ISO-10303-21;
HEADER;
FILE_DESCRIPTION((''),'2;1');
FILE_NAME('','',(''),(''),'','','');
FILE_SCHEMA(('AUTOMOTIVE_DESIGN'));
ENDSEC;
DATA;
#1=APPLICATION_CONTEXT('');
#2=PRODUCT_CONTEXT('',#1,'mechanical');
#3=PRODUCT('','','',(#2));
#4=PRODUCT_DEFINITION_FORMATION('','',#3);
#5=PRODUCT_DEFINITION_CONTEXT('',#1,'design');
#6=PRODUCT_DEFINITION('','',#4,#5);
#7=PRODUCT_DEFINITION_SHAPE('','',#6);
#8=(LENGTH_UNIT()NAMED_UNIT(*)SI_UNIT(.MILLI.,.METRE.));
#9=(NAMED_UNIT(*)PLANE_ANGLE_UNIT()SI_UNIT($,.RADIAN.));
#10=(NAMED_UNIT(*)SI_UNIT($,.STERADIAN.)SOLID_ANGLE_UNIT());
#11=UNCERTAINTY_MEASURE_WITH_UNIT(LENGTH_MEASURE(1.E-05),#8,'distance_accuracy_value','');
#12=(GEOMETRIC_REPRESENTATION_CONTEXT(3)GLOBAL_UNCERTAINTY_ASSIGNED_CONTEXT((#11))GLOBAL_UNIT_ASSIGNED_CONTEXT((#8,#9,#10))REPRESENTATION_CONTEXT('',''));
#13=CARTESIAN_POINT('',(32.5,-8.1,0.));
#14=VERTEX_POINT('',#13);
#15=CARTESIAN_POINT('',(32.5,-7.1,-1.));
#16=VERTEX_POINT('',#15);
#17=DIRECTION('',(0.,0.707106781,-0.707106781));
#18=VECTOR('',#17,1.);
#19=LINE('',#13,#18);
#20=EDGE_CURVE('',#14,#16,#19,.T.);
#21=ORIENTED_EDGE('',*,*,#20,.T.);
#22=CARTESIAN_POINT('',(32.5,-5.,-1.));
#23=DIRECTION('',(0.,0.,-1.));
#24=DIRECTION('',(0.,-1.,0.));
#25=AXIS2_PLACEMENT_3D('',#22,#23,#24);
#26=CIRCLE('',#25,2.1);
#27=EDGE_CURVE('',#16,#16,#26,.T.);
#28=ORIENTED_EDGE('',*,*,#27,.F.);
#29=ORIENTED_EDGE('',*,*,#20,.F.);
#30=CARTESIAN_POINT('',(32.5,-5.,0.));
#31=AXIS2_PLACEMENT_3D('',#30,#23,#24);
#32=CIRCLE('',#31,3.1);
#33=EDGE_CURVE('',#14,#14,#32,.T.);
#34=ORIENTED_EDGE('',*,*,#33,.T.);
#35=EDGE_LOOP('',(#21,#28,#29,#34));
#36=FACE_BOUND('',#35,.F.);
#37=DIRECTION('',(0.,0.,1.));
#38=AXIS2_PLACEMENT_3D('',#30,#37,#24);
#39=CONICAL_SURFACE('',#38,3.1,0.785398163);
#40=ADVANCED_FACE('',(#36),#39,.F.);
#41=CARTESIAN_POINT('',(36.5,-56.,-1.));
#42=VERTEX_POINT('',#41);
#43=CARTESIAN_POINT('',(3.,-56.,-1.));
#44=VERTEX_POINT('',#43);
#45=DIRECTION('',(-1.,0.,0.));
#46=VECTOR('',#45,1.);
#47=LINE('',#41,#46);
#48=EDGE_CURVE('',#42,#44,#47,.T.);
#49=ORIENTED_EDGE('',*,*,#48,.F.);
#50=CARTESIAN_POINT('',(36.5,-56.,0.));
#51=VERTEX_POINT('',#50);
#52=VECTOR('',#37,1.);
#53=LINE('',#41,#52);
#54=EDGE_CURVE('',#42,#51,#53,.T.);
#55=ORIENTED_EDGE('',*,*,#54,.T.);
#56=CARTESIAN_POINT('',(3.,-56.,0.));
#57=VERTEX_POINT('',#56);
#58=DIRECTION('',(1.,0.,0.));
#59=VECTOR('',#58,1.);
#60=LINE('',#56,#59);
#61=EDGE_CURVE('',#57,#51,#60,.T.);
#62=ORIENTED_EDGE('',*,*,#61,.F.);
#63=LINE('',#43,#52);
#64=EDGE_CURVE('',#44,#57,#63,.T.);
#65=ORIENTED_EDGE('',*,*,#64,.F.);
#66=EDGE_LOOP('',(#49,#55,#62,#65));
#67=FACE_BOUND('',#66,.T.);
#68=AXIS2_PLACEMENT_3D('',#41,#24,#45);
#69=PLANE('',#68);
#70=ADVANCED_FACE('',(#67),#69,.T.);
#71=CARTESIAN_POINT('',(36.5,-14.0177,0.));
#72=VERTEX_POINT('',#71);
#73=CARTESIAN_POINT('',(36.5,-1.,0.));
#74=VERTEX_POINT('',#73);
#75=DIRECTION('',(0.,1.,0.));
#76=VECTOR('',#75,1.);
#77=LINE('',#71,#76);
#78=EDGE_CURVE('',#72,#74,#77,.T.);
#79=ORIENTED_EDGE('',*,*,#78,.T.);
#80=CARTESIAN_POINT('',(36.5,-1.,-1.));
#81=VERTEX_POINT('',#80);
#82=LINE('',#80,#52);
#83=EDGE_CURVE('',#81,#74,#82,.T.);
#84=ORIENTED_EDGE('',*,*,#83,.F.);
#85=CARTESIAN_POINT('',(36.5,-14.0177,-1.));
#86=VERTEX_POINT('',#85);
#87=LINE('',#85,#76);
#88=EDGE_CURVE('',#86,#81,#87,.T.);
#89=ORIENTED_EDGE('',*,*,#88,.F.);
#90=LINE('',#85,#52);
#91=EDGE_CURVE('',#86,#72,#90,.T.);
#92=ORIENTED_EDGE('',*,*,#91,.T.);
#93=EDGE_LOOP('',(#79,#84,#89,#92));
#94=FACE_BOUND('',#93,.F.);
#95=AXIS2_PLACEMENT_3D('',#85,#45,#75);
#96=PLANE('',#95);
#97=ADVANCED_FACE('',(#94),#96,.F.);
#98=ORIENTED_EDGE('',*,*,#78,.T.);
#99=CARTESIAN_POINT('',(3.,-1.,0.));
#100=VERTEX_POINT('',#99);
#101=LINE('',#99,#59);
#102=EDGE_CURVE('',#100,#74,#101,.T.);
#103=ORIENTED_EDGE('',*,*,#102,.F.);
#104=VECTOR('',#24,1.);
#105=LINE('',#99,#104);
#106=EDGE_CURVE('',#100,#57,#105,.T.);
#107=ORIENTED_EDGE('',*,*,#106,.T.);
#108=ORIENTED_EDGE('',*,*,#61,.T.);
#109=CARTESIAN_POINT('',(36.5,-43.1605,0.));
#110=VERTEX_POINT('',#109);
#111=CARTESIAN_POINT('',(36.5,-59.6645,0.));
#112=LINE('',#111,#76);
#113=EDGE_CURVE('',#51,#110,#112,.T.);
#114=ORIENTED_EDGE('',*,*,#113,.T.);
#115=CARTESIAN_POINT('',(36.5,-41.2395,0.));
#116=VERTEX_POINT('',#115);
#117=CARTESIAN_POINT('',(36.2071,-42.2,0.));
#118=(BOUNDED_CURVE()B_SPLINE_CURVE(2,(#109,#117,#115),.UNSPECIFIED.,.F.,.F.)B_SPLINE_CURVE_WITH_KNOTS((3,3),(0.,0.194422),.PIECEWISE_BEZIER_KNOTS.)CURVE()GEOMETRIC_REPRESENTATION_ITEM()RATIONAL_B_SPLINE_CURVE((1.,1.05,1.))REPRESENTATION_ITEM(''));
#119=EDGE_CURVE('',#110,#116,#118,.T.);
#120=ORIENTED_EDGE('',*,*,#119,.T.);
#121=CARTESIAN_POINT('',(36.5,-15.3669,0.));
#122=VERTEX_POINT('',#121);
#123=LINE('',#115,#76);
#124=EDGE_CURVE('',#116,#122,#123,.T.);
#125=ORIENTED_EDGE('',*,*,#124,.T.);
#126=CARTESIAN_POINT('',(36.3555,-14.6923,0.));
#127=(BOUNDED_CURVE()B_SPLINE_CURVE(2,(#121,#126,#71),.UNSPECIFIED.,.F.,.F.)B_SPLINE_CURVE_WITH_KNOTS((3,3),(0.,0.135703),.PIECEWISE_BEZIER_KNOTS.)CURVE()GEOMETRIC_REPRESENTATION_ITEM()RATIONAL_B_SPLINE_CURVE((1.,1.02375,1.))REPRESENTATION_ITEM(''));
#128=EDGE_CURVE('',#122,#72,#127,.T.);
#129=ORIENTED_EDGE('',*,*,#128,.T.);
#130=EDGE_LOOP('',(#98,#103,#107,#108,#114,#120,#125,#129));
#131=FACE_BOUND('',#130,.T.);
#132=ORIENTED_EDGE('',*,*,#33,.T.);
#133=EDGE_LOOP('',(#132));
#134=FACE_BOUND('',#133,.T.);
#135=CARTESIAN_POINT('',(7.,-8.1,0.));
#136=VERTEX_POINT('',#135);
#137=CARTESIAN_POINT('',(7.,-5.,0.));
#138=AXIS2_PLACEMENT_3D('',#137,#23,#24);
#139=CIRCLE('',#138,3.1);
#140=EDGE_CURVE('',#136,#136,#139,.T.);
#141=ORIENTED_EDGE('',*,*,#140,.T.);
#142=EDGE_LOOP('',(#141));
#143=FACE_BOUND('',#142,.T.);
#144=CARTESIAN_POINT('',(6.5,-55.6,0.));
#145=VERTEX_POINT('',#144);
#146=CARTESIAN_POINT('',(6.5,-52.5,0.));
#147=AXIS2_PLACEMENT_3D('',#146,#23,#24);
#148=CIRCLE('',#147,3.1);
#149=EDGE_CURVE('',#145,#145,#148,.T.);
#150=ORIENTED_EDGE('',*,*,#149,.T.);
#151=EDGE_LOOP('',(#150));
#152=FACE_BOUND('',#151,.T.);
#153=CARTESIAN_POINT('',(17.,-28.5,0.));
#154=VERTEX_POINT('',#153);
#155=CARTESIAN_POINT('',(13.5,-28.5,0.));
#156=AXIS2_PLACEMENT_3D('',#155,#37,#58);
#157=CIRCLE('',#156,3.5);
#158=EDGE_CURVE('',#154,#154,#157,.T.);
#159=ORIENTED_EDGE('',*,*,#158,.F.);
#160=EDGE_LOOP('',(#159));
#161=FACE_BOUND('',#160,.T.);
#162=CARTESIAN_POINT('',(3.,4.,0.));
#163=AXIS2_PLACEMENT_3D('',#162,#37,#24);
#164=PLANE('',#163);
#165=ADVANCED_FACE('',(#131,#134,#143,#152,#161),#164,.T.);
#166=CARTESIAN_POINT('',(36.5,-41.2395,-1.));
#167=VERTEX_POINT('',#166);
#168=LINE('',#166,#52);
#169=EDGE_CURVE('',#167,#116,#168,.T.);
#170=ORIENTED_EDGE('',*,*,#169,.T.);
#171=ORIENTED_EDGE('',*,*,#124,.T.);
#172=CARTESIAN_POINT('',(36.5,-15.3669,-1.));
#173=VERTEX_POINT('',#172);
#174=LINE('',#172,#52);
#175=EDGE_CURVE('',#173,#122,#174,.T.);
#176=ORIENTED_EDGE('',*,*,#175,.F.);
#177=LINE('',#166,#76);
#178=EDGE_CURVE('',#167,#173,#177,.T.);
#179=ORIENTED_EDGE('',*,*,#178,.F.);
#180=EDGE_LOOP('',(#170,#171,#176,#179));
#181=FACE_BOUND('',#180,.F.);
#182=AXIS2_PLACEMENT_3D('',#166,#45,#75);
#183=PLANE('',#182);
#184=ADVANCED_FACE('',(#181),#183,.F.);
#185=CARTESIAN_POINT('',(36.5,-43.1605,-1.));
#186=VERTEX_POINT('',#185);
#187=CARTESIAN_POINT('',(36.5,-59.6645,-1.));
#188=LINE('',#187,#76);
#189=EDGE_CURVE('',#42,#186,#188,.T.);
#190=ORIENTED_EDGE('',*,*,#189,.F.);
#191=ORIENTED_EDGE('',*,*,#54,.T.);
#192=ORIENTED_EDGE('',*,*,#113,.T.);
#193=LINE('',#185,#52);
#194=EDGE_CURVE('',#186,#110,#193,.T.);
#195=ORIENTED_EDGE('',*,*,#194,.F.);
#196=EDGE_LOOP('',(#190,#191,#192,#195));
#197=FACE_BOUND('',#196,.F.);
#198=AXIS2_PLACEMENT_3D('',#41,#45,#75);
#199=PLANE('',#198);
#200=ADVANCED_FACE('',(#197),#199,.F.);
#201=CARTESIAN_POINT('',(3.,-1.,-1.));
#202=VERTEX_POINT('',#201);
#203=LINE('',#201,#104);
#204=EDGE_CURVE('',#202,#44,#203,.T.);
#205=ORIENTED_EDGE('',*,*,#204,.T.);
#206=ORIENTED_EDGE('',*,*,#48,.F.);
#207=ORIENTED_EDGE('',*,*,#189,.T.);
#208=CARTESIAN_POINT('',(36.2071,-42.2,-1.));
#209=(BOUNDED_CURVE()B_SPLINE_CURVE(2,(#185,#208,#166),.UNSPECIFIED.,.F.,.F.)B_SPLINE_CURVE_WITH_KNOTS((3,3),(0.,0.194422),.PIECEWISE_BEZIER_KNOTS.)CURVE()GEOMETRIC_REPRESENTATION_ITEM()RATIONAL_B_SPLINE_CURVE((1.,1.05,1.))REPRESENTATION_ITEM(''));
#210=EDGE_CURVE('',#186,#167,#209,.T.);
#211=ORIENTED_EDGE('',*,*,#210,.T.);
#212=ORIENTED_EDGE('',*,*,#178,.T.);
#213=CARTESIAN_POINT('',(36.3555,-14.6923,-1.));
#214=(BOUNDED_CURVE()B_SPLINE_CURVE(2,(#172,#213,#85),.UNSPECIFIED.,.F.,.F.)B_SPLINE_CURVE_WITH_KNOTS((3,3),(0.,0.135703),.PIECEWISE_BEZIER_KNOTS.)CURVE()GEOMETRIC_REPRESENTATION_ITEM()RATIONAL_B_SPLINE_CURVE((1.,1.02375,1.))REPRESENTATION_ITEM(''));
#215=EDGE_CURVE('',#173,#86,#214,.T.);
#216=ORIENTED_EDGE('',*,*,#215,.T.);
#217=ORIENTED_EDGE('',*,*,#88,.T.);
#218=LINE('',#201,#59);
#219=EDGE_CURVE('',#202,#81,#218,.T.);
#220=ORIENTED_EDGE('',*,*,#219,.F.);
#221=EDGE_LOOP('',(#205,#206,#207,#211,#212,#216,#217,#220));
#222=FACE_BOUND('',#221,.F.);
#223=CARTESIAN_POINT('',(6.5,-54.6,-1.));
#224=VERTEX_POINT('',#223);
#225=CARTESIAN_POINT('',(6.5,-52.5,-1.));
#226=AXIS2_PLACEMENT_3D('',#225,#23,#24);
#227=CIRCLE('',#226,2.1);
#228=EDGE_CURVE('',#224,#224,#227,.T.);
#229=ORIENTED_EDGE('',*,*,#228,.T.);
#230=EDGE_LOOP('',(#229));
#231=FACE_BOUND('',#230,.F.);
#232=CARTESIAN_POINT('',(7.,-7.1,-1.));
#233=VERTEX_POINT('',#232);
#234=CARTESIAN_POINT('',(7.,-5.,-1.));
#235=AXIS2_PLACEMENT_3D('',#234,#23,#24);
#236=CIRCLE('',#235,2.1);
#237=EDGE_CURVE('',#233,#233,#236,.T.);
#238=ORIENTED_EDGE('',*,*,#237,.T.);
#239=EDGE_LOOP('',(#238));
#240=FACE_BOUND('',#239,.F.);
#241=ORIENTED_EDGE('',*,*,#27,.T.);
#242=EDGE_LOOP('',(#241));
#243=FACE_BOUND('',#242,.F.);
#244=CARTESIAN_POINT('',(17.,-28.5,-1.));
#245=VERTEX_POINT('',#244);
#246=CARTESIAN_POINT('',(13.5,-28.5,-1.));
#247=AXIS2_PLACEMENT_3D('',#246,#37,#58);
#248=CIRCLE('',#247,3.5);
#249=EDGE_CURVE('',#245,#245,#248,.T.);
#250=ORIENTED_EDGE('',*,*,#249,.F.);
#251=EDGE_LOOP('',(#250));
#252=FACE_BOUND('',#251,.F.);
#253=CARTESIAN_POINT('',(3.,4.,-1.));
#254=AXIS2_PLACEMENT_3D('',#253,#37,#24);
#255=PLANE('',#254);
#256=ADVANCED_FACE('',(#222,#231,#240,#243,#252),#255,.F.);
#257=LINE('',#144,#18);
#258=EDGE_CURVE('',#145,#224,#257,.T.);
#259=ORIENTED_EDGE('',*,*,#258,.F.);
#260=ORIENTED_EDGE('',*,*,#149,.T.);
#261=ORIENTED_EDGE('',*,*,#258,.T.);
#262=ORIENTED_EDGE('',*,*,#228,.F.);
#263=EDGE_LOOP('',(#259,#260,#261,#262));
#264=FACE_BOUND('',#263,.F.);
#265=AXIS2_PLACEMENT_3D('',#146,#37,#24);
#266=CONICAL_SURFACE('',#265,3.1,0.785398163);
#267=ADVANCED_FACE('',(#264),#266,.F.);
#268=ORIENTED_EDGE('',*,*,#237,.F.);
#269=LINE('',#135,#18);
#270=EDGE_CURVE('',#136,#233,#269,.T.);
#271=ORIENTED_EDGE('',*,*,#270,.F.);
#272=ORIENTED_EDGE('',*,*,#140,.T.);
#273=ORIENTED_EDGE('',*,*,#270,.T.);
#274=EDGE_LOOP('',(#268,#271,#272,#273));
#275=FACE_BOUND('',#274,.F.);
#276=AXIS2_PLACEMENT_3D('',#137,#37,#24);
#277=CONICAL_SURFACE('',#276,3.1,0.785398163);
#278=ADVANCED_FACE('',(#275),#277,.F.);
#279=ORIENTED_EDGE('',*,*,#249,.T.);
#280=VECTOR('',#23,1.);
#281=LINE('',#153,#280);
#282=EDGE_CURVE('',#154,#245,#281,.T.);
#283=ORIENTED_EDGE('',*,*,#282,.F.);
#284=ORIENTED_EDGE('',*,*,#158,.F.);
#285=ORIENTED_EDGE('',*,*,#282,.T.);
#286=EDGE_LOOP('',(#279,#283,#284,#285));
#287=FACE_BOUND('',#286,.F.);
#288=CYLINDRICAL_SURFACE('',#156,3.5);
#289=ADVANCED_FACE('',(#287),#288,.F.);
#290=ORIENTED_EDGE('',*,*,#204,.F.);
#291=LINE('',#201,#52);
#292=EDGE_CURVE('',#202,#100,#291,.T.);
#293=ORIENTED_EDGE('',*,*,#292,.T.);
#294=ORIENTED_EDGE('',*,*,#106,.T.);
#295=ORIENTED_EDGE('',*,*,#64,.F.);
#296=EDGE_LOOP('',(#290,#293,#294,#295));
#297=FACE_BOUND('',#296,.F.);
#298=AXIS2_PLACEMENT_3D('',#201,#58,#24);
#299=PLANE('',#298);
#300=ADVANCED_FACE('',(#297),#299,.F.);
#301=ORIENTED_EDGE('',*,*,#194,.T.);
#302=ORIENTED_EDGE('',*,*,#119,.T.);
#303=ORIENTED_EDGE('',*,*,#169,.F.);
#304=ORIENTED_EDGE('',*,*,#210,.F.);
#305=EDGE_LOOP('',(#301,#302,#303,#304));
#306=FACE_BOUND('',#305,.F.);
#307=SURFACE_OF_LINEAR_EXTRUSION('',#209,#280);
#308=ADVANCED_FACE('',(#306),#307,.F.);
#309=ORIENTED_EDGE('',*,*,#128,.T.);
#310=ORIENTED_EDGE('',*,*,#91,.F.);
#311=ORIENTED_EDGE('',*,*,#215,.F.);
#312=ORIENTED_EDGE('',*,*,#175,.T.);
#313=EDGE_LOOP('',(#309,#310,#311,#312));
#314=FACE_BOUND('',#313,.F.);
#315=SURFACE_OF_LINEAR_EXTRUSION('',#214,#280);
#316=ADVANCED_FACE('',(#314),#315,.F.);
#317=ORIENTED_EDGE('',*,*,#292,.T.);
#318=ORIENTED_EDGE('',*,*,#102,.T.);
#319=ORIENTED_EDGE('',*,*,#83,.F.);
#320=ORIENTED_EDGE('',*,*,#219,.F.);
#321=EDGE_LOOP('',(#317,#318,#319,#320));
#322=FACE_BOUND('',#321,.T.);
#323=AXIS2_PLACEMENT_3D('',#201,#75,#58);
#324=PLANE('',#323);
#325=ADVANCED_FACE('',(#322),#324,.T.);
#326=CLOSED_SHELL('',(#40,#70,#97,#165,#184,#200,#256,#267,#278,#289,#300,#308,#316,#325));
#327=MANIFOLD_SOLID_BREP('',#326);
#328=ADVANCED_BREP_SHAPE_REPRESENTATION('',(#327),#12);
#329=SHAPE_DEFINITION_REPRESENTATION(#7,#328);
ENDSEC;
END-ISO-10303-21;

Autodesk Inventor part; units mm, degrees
ref_plane "YZ Plane" through (0, 0, 0) normal (1, 0, 0) x (0, 1, 0)
ref_plane "XZ Plane" through (0, 0, 0) normal (0, 1, 0) x (-1, 0, 0)
ref_plane "XY Plane" through (0, 0, 0) normal (0, 0, 1) x (1, 0, 0)
ref_plane "Work Plane1" through (3, 4, -1) normal (0, 0, 1) x (0, -1, 0)
sketch "Sketch1" plane through (3, 4, -1) normal (0, 0, 1) x (0, -1, 0)
  line L0 (18.0177, 33.5) -> (5, 33.5) projected
  line L1 (5, 0) -> (5, 33.5) projected
  line L2 (5, 0) -> (89.75, 0) projected
  line L3 (89.75, 0) -> (89.75, 33.5) projected
  line L4 (5, 0) -> (60, 0) projected
  line L5 (5, -3) -> (5, 0) projected
  line L6 (4, -3) -> (60, -3) projected
  line L7 (60, 33.5) -> (60, 3.949) projected
  line L8 (60, -3) -> (60, 0) projected
  line L9 (87.199, 0) -> (183, 0) projected
  circle A0 centre (74.375, 17.375) radius 6.75 projected
  line L10 (60, 0) -> (60, 33.5)
  circle A1 centre (32.5, 10.5) radius 5.5 projected
  circle A2 centre (9, 4) radius 2.1 projected
  circle A3 centre (9, 29.5) radius 2.1 projected
  circle A4 centre (56.5, 3.5) radius 2.1 projected
  spline S0 degree 2 poles (19.3669, 33.5) (18.6923, 33.3555) (18.0177, 33.5) knots 0 0 0 0.135703 0.135703 0.135703 weights 1 1.02375 1 projected
  line L11 (89.75, 33.5) -> (85.2105, 33.5) projected
  spline S1 degree 2 poles (85.2105, 33.5) (84.25, 33.2071) (83.2895, 33.5) knots 0 0 0 0.194422 0.194422 0.194422 weights 1 1.05 1 projected
  line L12 (83.2895, 33.5) -> (65.5855, 33.5) projected
  spline S2 degree 2 poles (65.5855, 33.5) (64.625, 33.2071) (63.6645, 33.5) knots 0 0 0 0.194422 0.194422 0.194422 weights 1 1.05 1 projected
  line L13 (63.6645, 33.5) -> (47.1605, 33.5) projected
  spline S3 degree 2 poles (47.1605, 33.5) (46.2, 33.2071) (45.2395, 33.5) knots 0 0 0 0.194422 0.194422 0.194422 weights 1 1.05 1 projected
  line L14 (45.2395, 33.5) -> (19.3669, 33.5) projected
  line L15 (183, 0) -> (183, 4.5) projected
  line L16 (183, 4.5) -> (137.8889, 33.5) projected
  line L17 (137.8889, 33.5) -> (60, 33.5) projected
  arc A5 (63.949, 0) -> (60, 3.949) centre (62.75, 2.75) ccw projected
  line L18 (63.949, 0) -> (84.801, 0) projected
  arc A6 (87.199, 0) -> (84.801, 0) centre (86, 2.75) ccw projected
  point P0 (52, 0)
  point P1 (64.076, 0)
  point P2 (87.674, 0)
  point P3 (63.25, 3.25)
  point P4 (60, 3.949)
extrude "Extrusion1" add sketch "Sketch1" along normal blind 1 contours S0 L14 S3 L13 L7 L10 L2 L1 L0 | A1 | A2 | A3 | A4
sketch "Sketch2" plane through (3, 4, 0) normal (0, 0, 1) x (1, 0, 0)
  line L0 (12.5287, -34.71) -> (8.4496, -34.6899)
  arc A0 (8.4713, -30.29) -> (8.4496, -34.6899) centre (10.5, -32.5) ccw
  line L1 (8.4713, -30.29) -> (12.5504, -30.3101)
  arc A1 (12.5287, -34.71) -> (12.5504, -30.3101) centre (10.5, -32.5) ccw
  circle A2 centre (10.5, -32.5) radius 3
  circle A3 centre (10.5, -32.5) radius 3.5
  point P0 (-3, -4)
  dimension "d5" = 0.5
extrude "Extrusion2" cut sketch "Sketch2" against normal up to next contours A2 L0 | L0 A0 L1 A1 | A2 L1 | A3
sketch "Sketch3" plane through (3, 4, 0) normal (0, 0, 1) x (1, 0, 0)
  circle A0 centre (10.5, -32.5) radius 3.5 projected
  line L0 (0, -5) -> (0, -60) projected
  line L1 (33.5, -18.0177) -> (33.5, -5) projected
  line L2 (33.5, -5) -> (0, -5) projected
  circle A1 centre (3.5, -56.5) radius 3.5
  circle A2 centre (4, -9) radius 4
  circle A3 centre (3.5, -56.5) radius 2.6
  circle A4 centre (4, -9) radius 2.6
  circle A5 centre (29.5, -9) radius 4
  circle A6 centre (29.5, -9) radius 2.6
  line L3 (33.5, -60) -> (33.5, -47.1605) projected
  line L4 (33.5, -45.2395) -> (33.5, -19.3669) projected
  line L5 (0, -60) -> (33.5, -60) projected
  point P0 (-3, -4)
  dimension "d8" = 7
  dimension "d17" = 8
  dimension "d18" = 5.2
  dimension "d19" = 5.2
  dimension "d20" = 4
  dimension "d21" = 4
  dimension "d22" = 8
  dimension "d23" = 5.2
  dimension "d24" = 4
  dimension "d25" = 4
hole "Hole1" at (6.5, -52.5, 0) at (7, -5, 0) at (32.5, -5, 0) direction (0, 0, -1) diameter 3.6 end through all countersink diameter 6.2 countersink angle 90 clearance for "Countersunk Flat Head Screw ISO 2009/7046" size "M3" standard "ISO"
properties part number "right_metal_gear_bracker"
